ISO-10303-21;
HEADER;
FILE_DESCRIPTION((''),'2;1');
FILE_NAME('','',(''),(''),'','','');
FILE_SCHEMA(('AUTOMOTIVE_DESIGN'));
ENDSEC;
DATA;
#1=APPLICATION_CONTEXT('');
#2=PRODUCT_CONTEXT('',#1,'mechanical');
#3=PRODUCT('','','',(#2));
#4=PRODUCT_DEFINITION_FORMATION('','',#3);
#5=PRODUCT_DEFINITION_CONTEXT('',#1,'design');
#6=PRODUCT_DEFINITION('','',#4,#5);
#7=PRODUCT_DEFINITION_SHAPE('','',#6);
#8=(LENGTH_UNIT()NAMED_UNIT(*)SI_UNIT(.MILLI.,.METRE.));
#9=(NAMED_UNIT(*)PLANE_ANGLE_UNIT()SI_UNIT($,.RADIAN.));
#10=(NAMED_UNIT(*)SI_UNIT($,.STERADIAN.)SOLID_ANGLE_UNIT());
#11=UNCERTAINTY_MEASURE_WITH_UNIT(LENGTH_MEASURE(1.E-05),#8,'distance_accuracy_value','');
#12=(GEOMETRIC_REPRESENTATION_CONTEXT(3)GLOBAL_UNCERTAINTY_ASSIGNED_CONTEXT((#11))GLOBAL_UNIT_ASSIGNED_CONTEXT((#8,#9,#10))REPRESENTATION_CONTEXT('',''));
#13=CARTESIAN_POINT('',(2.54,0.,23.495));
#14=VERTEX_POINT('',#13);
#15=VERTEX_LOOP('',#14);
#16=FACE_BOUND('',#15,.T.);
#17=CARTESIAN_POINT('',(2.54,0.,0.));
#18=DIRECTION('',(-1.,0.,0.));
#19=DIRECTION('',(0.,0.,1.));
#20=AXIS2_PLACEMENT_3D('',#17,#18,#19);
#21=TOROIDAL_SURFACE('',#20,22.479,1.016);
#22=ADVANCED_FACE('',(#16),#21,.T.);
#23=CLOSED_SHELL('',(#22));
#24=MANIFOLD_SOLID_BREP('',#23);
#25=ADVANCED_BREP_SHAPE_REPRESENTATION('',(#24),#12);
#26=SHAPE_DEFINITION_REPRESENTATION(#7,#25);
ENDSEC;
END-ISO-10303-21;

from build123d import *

# Parameters (mm, degrees)
SKETCH2_R = 1.016


with BuildPart() as part:
    # Sketch2 → Revolve3 (revolve)
    with BuildSketch(Plane.XY, mode=Mode.PRIVATE) as revolve3_sk:
        with Locations((2.54, -22.479)):
            Circle(SKETCH2_R)
    revolve(revolve3_sk.sketch.rotate(Axis((-34.684965636, 0, 0), (1, 0, 0)), 270), axis=Axis((-34.684965636, 0, 0), (1, 0, 0)))  # turned: the seam where the file's is


solid = part.part
